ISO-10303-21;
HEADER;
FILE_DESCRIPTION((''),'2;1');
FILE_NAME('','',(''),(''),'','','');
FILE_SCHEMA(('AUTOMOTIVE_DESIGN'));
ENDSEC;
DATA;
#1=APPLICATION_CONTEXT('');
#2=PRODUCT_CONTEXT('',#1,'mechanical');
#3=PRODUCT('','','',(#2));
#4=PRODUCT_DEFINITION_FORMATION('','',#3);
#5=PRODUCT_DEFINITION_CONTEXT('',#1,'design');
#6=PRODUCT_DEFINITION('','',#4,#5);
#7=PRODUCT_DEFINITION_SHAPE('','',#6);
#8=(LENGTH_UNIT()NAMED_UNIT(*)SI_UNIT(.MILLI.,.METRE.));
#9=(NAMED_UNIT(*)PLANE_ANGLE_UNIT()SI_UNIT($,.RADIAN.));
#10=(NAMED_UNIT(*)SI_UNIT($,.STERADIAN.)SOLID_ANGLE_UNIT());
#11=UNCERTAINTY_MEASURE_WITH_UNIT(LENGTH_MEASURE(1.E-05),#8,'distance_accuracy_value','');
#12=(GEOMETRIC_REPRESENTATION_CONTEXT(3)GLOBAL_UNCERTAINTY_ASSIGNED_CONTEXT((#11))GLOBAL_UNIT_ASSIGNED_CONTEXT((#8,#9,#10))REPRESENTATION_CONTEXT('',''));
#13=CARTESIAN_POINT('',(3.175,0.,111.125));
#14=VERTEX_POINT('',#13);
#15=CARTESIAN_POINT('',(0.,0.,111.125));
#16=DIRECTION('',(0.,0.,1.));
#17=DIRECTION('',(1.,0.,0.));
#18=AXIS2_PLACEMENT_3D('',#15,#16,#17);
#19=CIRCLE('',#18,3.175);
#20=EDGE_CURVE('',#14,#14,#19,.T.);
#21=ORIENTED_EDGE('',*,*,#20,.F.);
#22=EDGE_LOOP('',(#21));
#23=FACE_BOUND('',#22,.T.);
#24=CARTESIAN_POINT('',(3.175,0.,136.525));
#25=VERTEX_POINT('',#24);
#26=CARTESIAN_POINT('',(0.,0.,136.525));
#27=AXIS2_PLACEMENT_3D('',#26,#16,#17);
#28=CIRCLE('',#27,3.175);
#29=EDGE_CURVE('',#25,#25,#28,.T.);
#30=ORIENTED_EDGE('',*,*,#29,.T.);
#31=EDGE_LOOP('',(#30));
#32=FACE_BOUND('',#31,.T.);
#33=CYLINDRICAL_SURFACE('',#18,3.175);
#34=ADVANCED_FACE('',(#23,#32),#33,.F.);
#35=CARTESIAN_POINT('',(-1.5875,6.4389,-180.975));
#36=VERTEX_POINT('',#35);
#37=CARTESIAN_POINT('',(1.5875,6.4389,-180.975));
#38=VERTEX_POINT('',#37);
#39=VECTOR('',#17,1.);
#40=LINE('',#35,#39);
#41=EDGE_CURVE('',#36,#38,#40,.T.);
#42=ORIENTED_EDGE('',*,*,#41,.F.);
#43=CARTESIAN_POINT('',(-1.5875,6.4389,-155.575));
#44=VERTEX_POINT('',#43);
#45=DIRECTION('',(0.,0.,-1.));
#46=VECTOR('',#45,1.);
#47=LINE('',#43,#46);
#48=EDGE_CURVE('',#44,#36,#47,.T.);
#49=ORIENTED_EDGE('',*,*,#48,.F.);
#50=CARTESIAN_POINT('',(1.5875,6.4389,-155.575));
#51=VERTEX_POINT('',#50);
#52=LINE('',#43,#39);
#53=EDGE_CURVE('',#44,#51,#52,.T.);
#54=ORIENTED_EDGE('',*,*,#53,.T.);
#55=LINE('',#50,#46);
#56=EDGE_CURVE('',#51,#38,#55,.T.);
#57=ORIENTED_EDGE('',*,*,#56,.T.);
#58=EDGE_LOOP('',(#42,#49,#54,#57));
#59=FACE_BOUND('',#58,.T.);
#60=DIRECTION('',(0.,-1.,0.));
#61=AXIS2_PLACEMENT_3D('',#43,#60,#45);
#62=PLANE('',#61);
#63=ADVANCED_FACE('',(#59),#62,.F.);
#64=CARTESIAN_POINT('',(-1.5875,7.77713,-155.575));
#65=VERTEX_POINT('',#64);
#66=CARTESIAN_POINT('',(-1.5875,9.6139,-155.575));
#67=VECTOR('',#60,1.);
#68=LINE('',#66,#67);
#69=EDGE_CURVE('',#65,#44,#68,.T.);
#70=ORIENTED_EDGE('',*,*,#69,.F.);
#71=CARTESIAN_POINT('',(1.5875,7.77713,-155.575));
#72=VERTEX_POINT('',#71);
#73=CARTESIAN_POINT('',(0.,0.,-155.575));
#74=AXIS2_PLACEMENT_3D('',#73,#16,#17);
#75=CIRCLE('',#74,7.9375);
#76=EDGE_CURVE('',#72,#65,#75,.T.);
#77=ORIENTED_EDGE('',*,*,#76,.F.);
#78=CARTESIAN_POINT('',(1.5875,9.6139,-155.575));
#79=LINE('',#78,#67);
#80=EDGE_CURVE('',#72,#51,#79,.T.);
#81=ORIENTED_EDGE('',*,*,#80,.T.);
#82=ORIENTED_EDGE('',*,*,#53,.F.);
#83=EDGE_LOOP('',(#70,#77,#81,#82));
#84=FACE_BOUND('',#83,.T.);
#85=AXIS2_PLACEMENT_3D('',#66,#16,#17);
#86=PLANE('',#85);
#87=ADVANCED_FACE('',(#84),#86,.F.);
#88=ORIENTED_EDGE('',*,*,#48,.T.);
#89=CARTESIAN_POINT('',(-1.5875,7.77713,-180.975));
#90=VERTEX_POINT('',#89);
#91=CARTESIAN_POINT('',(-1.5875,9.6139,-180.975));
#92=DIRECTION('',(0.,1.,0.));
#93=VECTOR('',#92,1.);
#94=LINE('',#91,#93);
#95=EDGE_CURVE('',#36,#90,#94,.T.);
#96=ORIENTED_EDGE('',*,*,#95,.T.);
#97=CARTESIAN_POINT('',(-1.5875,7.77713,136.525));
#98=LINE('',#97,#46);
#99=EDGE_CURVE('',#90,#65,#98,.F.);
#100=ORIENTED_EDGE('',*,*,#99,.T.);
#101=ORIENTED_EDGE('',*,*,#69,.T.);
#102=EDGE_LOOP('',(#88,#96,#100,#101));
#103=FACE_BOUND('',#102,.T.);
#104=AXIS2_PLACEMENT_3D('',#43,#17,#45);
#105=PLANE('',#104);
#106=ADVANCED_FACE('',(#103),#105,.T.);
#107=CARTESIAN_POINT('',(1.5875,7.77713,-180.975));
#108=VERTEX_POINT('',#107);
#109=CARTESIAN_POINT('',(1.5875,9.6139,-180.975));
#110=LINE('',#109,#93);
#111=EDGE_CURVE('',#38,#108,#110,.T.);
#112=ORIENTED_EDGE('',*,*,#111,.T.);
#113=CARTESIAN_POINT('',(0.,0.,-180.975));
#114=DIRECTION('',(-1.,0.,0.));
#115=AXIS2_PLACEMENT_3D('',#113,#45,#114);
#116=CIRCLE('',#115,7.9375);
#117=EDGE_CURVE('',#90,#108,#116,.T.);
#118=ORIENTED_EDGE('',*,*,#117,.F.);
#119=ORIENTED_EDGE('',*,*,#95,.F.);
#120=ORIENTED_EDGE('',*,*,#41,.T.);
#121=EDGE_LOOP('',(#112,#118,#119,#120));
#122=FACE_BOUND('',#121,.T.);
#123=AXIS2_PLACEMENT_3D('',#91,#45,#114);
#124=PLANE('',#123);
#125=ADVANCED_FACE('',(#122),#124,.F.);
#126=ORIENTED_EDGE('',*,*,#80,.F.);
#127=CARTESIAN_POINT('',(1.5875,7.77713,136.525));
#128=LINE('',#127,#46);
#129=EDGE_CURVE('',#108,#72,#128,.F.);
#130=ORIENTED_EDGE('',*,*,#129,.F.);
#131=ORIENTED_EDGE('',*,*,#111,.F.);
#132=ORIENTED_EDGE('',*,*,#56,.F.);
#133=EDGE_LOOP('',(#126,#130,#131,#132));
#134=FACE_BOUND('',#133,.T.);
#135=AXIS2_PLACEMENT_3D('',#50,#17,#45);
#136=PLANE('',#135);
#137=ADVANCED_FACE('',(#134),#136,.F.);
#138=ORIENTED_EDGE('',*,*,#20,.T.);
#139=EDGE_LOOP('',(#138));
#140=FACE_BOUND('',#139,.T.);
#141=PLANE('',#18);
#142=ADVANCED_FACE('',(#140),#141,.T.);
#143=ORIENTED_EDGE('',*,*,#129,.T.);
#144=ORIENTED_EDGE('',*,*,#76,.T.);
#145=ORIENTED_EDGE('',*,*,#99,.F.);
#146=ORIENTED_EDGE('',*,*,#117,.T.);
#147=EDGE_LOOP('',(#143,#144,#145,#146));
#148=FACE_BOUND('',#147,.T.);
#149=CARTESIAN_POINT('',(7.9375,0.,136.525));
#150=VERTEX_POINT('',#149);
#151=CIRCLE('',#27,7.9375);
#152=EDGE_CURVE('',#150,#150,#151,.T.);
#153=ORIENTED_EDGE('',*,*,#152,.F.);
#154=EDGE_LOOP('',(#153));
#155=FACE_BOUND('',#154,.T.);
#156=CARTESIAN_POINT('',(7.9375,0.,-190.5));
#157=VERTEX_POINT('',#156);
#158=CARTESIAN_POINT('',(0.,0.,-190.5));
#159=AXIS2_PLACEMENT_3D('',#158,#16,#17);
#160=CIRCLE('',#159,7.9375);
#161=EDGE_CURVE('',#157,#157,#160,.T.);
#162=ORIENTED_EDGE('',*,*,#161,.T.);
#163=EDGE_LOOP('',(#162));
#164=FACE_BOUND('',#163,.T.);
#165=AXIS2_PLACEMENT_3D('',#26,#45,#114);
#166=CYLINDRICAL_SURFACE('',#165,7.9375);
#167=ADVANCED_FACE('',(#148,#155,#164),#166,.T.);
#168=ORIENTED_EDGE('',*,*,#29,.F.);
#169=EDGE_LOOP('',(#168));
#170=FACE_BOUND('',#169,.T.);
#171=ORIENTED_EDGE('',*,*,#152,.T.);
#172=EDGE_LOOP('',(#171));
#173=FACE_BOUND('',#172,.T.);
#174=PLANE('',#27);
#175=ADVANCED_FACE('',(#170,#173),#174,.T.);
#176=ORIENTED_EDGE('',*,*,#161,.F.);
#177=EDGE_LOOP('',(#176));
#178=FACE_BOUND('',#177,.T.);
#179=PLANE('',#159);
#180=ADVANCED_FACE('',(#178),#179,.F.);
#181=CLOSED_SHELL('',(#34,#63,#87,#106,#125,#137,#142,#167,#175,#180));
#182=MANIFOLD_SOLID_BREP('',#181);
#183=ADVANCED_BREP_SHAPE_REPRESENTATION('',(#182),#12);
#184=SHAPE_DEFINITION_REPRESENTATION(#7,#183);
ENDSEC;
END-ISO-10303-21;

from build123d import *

# Parameters (mm, degrees)
EXTRUDE1_DEPTH      = 136.525
EXTRUDE1_DEPTH_BACK = 190.5
SKETCH1_R           = 7.9375
SKETCH2_R           = 3.175
CUT_EXTRUDE1_DEPTH  = 25.4
SKETCH3_W           = 25.4
SKETCH3_H           = 3.175
CUT_EXTRUDE2_DEPTH  = 1.5875


with BuildPart() as part:
    # Sketch1 → Extrude1 (new, two sides: drawn at the far end of the back side and taken through both)
    with BuildSketch(Plane.XY.offset(-EXTRUDE1_DEPTH_BACK)):
        Circle(SKETCH1_R)
    extrude(amount=EXTRUDE1_DEPTH + EXTRUDE1_DEPTH_BACK)

    # Sketch2 → Cut-Extrude1 (cut)
    with BuildSketch(Plane.XY.offset(136.525)):
        Circle(SKETCH2_R)
    extrude(amount=-CUT_EXTRUDE1_DEPTH, mode=Mode.SUBTRACT)

    # Sketch3 → Cut-Extrude2 (cut, symmetric)
    with BuildSketch(Plane(origin=(0, 0, 0), x_dir=(0, 0, -1), z_dir=(1, 0, 0))):
        with Locations((168.275, 8.0264)):
            Rectangle(SKETCH3_W, SKETCH3_H)
    extrude(amount=CUT_EXTRUDE2_DEPTH, both=True, mode=Mode.SUBTRACT)


solid = part.part
